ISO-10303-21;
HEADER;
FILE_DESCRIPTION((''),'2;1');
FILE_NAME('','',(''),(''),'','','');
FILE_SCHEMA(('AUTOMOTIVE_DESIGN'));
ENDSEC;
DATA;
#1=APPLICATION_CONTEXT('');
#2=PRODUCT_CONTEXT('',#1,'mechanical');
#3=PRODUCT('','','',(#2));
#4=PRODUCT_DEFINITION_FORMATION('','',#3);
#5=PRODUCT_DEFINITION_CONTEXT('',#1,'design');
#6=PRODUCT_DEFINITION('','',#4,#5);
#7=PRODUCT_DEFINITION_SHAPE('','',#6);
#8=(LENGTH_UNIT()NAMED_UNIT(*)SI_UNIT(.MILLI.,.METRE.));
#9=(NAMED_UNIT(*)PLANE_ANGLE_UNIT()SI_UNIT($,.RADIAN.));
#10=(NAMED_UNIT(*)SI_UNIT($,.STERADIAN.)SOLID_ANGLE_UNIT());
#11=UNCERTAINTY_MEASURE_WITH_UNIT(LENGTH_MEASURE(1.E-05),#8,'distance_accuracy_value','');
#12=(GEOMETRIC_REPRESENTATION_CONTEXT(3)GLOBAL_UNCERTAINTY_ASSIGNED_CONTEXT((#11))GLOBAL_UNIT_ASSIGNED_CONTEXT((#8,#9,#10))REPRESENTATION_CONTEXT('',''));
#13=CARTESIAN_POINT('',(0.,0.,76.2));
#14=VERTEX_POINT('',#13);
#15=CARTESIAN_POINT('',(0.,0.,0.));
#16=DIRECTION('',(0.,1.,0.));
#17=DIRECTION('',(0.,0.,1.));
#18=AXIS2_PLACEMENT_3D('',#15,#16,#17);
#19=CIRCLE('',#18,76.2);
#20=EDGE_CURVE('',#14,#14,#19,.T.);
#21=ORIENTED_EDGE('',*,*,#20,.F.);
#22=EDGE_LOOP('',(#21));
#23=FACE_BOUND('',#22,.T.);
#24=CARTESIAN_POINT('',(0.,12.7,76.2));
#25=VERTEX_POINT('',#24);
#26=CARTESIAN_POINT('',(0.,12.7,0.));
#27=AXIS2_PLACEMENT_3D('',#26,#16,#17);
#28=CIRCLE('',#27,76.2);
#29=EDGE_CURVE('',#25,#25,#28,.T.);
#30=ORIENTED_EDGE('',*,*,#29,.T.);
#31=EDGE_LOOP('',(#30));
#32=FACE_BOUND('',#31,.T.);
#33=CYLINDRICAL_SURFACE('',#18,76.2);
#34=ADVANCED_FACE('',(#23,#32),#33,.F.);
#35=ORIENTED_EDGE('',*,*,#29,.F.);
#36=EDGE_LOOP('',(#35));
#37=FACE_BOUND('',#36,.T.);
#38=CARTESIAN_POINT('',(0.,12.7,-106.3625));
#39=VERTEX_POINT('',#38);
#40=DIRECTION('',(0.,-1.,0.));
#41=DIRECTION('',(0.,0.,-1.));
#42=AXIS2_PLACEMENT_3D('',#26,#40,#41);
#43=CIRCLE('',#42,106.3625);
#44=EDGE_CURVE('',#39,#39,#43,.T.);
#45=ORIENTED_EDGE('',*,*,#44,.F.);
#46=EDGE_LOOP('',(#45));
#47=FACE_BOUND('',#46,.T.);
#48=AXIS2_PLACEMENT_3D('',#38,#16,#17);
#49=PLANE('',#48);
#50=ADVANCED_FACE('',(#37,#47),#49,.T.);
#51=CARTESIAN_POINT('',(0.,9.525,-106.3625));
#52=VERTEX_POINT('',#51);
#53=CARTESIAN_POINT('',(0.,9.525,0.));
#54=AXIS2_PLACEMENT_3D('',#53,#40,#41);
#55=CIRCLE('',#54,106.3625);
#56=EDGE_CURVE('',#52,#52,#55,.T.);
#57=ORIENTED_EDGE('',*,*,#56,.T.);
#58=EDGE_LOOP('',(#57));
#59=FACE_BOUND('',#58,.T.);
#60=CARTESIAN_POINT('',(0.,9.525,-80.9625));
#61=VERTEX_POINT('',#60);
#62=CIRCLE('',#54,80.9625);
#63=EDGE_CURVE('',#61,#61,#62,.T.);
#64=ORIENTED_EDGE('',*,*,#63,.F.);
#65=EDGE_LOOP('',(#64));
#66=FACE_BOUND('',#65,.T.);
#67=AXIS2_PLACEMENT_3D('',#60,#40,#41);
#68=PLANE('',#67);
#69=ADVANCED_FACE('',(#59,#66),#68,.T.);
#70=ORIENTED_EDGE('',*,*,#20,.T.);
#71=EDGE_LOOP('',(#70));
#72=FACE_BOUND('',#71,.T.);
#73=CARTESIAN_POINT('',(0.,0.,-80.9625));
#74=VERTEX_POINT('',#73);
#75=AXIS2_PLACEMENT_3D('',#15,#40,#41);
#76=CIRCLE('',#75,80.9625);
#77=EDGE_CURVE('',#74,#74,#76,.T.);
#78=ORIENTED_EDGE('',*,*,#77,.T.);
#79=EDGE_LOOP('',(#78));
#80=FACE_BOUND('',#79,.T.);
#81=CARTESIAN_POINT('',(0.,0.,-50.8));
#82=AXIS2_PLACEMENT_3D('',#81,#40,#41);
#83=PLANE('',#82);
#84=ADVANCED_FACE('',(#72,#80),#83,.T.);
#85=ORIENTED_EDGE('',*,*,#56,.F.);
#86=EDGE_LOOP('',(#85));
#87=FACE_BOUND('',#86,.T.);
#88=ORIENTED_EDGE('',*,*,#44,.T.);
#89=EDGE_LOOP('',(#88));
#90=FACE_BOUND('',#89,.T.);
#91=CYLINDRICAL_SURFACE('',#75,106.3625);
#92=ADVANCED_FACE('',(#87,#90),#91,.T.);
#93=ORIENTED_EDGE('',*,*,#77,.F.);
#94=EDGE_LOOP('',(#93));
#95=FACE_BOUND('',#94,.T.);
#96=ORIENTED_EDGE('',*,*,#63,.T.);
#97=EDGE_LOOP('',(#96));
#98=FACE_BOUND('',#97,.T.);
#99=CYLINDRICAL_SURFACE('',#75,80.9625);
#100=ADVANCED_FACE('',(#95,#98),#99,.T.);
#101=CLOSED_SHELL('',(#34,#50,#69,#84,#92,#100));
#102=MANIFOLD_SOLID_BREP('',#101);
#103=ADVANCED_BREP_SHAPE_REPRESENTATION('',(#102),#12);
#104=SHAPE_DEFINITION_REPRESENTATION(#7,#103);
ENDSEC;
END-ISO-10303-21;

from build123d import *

# Parameters (mm, degrees)
SKETCH4_R          = 76.2
CUT_EXTRUDE1_DEPTH = 13.7


with BuildPart() as part:
    # Sketch1 → Revolve1 (revolve)
    with BuildSketch(Plane(origin=(0, 0, 0), x_dir=(0, 0, -1), z_dir=(1, 0, 0))):
        Polygon((50.8, 0), (80.9625, 0), (80.9625, 9.525), (106.3625, 9.525), (106.3625, 12.7), (0, 12.7), (0, 9.525), (50.8, 9.525), align=None)
    revolve(axis=Axis((0, 0, 0), (0, 1, 0)))

    # Sketch4 → Cut-Extrude1 (cut, through all)
    with BuildSketch(Plane(origin=(0, 12.7, 0), x_dir=(1, 0, 0), z_dir=(0, 1, 0))):
        Circle(SKETCH4_R)
    extrude(amount=-CUT_EXTRUDE1_DEPTH, mode=Mode.SUBTRACT)


solid = part.part
